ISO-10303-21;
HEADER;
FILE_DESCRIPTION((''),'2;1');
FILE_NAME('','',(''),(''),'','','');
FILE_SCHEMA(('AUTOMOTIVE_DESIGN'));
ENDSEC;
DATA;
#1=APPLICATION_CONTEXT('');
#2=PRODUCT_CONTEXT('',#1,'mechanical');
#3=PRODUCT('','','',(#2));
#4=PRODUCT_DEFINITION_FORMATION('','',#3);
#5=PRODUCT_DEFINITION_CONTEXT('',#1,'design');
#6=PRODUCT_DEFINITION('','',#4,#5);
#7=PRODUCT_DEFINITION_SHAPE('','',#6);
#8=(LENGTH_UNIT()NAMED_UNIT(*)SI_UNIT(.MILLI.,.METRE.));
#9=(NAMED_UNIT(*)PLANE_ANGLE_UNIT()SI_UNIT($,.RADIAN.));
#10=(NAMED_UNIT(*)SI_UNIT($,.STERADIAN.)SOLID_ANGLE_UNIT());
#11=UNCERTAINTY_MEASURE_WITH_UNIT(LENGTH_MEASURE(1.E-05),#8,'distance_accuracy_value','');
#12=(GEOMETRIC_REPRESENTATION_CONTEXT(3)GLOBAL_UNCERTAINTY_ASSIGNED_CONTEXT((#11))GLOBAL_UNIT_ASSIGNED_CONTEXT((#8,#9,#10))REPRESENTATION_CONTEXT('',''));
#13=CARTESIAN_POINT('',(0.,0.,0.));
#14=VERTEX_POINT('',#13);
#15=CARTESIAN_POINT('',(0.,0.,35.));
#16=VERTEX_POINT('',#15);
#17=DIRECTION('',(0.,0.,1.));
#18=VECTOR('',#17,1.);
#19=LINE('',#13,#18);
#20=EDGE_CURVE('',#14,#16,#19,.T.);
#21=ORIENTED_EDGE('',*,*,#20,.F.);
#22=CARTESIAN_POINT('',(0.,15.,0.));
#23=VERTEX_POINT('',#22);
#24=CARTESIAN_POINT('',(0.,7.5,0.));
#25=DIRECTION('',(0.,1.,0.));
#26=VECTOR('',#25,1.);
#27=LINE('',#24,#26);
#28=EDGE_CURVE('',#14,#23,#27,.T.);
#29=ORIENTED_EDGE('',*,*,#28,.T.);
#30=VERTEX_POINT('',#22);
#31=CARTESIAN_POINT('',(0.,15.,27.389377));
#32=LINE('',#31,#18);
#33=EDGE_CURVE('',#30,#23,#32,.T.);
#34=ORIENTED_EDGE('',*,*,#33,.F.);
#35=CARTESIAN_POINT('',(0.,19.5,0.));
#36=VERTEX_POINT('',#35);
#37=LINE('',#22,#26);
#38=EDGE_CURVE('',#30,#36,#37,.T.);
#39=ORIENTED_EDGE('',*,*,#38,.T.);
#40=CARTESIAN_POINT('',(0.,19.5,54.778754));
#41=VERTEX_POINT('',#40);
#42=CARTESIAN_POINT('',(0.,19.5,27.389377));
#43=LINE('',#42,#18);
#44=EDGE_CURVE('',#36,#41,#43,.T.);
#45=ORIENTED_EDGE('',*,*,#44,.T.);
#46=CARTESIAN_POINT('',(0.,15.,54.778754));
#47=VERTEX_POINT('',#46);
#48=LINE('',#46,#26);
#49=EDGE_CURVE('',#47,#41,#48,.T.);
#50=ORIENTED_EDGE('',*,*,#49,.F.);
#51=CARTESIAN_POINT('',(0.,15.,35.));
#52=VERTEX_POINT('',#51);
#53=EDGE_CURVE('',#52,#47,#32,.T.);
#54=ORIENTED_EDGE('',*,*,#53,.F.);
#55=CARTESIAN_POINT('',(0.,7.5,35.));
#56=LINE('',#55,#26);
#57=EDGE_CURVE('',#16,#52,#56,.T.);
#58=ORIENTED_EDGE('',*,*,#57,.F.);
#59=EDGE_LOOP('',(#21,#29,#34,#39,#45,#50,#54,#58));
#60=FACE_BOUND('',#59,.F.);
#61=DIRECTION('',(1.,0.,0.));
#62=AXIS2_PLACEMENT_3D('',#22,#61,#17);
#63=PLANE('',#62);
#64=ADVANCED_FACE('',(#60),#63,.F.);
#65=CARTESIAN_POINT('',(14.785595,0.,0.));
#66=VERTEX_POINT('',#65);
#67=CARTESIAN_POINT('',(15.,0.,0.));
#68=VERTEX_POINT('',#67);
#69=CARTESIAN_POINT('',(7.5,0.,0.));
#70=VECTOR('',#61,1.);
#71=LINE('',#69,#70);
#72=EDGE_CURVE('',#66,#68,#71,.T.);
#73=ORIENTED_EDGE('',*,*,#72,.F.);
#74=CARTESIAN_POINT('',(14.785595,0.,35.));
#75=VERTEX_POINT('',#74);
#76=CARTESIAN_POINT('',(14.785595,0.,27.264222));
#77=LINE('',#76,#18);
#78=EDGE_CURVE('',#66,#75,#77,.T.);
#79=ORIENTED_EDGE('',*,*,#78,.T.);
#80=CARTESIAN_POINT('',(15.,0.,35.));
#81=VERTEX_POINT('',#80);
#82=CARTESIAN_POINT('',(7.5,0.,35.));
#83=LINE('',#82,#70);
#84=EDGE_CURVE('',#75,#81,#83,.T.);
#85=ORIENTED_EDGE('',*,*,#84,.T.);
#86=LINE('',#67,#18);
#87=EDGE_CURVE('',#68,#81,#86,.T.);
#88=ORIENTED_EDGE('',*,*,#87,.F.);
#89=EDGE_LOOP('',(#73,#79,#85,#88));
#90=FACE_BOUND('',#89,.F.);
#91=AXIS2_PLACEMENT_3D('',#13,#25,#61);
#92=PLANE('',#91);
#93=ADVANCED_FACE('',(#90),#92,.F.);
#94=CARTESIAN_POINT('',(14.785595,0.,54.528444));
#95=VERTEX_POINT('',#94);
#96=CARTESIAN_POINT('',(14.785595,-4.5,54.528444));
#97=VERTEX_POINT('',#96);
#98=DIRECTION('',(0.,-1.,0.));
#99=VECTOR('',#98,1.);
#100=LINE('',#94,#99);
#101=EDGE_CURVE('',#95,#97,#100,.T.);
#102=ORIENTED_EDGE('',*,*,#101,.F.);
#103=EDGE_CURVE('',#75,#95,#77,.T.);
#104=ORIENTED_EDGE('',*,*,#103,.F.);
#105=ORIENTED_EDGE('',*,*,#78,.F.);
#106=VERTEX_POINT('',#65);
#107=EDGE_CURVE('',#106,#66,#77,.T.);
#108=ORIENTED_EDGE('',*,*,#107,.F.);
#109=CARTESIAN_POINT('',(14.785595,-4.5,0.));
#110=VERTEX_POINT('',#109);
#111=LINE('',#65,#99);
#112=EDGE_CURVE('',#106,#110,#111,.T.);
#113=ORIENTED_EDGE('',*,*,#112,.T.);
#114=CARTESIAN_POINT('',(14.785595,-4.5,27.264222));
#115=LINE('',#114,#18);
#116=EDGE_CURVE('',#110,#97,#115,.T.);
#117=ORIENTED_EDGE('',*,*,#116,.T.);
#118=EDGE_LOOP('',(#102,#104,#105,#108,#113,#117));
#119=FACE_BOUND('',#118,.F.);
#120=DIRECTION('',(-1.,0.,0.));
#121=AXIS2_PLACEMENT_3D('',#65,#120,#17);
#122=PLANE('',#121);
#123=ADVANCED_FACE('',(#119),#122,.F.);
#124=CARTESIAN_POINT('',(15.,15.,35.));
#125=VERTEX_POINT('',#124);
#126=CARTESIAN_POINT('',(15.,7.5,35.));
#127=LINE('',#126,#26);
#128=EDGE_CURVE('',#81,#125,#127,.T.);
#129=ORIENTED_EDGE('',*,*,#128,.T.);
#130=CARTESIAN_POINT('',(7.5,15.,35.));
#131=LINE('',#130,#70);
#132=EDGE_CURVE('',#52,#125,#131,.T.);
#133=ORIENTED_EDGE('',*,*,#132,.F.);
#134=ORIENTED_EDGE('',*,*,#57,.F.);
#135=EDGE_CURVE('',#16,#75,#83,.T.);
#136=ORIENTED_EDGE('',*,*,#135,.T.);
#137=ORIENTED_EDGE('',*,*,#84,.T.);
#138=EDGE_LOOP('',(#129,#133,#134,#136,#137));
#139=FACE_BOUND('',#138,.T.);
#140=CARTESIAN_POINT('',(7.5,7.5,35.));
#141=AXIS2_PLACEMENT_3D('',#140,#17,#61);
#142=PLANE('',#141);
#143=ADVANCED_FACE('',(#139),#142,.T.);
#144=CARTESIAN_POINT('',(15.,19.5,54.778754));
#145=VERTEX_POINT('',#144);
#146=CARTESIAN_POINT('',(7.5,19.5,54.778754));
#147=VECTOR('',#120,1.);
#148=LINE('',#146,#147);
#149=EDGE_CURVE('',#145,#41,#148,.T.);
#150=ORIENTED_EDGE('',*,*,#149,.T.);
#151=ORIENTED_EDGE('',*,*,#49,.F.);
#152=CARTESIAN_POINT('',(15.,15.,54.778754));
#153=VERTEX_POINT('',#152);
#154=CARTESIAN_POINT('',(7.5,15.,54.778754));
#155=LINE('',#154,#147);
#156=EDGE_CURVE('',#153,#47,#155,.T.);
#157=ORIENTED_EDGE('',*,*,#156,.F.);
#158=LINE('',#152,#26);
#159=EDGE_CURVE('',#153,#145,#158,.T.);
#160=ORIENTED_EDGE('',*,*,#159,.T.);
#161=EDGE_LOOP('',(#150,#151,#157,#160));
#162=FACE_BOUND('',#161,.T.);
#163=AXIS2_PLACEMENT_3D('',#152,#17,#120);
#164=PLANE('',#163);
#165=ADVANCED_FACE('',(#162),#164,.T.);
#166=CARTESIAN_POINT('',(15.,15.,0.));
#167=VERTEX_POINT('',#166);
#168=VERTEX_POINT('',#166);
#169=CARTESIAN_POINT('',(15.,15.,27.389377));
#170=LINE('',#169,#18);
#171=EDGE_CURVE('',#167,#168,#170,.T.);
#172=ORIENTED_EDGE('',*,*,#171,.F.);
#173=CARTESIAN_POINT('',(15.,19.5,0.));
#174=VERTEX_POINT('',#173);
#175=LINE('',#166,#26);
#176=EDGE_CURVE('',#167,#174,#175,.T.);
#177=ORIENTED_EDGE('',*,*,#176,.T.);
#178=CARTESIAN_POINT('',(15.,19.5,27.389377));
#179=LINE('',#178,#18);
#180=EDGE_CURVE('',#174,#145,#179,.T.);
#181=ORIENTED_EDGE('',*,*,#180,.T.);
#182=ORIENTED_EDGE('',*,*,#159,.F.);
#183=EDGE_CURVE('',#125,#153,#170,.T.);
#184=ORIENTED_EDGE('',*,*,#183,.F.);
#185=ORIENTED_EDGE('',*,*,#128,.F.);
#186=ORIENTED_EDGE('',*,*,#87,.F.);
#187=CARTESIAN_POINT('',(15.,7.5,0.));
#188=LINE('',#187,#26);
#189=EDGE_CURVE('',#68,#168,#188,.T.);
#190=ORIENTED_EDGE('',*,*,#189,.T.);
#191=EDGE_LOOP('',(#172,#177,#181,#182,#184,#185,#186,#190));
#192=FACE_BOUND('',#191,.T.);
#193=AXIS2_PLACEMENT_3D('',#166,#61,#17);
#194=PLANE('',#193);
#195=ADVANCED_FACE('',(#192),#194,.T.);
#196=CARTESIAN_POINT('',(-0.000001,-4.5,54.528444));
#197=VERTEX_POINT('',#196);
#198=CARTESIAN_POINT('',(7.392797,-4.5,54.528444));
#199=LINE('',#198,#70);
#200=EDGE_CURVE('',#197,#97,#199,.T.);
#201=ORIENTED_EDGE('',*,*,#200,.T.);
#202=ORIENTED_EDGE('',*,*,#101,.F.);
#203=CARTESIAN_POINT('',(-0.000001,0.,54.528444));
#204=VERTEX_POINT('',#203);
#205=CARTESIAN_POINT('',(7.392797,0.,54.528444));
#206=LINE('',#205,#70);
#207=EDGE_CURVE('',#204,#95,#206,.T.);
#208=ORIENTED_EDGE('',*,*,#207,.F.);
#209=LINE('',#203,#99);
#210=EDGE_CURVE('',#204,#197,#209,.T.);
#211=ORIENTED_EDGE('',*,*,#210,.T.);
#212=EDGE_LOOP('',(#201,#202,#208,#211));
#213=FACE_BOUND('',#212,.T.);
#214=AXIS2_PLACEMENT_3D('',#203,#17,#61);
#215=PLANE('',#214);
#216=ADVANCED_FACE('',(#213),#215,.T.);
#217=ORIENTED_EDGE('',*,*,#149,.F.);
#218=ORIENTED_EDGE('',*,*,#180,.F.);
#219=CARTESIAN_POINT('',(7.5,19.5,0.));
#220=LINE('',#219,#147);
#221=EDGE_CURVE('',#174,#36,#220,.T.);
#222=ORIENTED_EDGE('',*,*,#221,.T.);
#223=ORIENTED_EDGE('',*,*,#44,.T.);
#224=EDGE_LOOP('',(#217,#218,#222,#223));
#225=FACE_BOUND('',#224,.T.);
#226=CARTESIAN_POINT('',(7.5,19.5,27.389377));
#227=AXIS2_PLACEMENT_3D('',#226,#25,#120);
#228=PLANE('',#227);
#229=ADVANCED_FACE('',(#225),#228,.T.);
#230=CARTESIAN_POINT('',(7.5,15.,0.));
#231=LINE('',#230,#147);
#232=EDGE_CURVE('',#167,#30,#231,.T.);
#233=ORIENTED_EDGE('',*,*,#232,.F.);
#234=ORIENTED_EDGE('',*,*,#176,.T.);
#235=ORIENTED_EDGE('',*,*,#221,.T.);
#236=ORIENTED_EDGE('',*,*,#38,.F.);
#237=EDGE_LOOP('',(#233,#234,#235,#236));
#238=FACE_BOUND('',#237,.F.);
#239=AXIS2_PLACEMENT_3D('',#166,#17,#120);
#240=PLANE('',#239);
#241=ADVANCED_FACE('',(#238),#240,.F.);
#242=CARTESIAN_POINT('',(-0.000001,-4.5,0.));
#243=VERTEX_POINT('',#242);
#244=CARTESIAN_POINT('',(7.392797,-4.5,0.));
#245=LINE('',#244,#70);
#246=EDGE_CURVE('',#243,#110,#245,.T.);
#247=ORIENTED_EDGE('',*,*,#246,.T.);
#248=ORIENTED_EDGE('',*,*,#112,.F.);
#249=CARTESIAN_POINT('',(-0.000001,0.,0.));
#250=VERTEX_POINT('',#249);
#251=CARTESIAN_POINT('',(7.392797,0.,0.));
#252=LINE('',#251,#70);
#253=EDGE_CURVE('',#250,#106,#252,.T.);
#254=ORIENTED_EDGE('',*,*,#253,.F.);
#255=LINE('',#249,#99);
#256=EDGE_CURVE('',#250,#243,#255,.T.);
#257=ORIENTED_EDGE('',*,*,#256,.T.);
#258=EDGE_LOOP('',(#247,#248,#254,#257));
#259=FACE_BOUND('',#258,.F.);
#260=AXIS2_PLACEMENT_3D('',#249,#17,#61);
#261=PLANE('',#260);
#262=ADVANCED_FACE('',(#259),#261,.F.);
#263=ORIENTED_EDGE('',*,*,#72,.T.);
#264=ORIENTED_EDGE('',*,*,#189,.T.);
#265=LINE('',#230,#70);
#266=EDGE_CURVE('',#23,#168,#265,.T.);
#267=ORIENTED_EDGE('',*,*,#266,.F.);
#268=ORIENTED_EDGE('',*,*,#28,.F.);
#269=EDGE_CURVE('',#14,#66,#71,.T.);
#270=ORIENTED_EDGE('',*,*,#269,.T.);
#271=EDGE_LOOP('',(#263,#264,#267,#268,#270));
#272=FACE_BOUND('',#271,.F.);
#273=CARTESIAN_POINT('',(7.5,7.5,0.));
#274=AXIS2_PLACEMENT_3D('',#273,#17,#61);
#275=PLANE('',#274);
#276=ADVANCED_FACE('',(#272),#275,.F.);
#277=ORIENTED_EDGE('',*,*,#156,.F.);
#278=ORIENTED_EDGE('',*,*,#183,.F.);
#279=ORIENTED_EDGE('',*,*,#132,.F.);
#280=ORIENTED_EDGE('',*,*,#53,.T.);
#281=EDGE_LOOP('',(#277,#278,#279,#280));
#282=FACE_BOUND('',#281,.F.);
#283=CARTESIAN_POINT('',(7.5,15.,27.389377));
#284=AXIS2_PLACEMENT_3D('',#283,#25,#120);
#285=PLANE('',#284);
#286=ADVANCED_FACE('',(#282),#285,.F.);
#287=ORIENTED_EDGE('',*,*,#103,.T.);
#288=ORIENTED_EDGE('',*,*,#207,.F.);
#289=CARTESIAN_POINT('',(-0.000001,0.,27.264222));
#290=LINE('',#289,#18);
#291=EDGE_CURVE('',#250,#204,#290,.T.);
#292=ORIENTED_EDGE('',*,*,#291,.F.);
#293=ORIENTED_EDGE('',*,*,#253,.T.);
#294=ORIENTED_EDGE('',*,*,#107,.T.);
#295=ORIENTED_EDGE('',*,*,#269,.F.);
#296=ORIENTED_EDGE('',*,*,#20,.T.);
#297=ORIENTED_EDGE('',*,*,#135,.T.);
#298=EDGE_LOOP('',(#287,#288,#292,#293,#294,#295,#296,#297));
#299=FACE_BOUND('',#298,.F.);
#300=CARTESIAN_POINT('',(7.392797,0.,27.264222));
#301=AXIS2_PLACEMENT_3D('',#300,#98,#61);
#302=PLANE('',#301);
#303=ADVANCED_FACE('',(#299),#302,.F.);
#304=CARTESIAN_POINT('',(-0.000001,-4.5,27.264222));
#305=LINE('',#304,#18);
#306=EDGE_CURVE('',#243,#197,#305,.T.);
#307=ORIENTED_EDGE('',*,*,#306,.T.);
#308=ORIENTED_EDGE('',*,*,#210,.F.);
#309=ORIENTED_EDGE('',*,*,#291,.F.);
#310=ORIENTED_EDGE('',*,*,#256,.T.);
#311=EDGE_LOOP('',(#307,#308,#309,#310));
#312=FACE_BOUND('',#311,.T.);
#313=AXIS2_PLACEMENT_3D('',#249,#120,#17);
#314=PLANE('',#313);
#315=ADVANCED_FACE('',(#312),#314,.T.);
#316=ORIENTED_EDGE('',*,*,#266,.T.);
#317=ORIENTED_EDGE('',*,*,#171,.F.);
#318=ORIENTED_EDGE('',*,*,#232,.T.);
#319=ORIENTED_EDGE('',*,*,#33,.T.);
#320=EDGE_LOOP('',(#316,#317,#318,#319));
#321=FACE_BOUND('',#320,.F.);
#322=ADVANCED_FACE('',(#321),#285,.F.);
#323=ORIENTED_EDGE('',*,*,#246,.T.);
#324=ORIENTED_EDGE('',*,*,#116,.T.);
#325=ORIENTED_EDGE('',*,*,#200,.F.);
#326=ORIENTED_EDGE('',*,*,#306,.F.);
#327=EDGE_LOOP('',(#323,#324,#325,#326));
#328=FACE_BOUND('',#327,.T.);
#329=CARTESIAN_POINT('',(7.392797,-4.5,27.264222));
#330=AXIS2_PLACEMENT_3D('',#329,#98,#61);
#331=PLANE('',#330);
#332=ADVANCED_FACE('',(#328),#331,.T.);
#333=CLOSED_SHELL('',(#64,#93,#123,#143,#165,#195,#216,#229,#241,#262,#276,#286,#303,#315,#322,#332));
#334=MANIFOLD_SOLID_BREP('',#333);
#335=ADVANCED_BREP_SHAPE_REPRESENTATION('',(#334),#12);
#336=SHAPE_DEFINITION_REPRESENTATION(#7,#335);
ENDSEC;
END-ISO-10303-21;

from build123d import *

# Parameters (mm, degrees)
F0_W     = 15
F0_H     = 15
F1_DEPTH = 35
F2_W     = 8.549743
F2_H     = 15
F2_W_2   = 8.769571
F3_DEPTH = 25.4
F6_W     = 15
F6_H     = 54.778755
F7_DEPTH = 4.5
F8_W     = 14.785595
F8_H     = 54.528445
F9_DEPTH = 4.5


with BuildPart() as f1:
    # F0 (on Top) → F1 (new body)
    with BuildSketch(Plane.XY):
        with Locations((7.5, 7.5)):
            Rectangle(F0_W, F0_H)
    extrude(amount=F1_DEPTH)

    # F6 (on face) → F7 (join)
    with BuildSketch(Plane(origin=(0, 15, 0), x_dir=(-1, 0, 0), z_dir=(0, 1, 0))):
        with Locations((-7.5, 27.389377)):
            Rectangle(F6_W, F6_H)
    extrude(amount=F7_DEPTH)

    # F8 (on face) → F9 (join)
    with BuildSketch(Plane.XZ):
        with Locations((7.392797, 27.264222)):
            Rectangle(F8_W, F8_H)
    extrude(amount=F9_DEPTH)


with BuildPart() as f3:
    # F2 (on face) → F3 (new body)
    with BuildSketch(Plane.XY.offset(35)):
        with Locations((19.274871, 7.5)):
            Rectangle(F2_W, F2_H)
        with Locations((-4.384785, 7.5)):
            Rectangle(F2_W_2, F2_H)
    extrude(amount=F3_DEPTH)


solid = f1.part
